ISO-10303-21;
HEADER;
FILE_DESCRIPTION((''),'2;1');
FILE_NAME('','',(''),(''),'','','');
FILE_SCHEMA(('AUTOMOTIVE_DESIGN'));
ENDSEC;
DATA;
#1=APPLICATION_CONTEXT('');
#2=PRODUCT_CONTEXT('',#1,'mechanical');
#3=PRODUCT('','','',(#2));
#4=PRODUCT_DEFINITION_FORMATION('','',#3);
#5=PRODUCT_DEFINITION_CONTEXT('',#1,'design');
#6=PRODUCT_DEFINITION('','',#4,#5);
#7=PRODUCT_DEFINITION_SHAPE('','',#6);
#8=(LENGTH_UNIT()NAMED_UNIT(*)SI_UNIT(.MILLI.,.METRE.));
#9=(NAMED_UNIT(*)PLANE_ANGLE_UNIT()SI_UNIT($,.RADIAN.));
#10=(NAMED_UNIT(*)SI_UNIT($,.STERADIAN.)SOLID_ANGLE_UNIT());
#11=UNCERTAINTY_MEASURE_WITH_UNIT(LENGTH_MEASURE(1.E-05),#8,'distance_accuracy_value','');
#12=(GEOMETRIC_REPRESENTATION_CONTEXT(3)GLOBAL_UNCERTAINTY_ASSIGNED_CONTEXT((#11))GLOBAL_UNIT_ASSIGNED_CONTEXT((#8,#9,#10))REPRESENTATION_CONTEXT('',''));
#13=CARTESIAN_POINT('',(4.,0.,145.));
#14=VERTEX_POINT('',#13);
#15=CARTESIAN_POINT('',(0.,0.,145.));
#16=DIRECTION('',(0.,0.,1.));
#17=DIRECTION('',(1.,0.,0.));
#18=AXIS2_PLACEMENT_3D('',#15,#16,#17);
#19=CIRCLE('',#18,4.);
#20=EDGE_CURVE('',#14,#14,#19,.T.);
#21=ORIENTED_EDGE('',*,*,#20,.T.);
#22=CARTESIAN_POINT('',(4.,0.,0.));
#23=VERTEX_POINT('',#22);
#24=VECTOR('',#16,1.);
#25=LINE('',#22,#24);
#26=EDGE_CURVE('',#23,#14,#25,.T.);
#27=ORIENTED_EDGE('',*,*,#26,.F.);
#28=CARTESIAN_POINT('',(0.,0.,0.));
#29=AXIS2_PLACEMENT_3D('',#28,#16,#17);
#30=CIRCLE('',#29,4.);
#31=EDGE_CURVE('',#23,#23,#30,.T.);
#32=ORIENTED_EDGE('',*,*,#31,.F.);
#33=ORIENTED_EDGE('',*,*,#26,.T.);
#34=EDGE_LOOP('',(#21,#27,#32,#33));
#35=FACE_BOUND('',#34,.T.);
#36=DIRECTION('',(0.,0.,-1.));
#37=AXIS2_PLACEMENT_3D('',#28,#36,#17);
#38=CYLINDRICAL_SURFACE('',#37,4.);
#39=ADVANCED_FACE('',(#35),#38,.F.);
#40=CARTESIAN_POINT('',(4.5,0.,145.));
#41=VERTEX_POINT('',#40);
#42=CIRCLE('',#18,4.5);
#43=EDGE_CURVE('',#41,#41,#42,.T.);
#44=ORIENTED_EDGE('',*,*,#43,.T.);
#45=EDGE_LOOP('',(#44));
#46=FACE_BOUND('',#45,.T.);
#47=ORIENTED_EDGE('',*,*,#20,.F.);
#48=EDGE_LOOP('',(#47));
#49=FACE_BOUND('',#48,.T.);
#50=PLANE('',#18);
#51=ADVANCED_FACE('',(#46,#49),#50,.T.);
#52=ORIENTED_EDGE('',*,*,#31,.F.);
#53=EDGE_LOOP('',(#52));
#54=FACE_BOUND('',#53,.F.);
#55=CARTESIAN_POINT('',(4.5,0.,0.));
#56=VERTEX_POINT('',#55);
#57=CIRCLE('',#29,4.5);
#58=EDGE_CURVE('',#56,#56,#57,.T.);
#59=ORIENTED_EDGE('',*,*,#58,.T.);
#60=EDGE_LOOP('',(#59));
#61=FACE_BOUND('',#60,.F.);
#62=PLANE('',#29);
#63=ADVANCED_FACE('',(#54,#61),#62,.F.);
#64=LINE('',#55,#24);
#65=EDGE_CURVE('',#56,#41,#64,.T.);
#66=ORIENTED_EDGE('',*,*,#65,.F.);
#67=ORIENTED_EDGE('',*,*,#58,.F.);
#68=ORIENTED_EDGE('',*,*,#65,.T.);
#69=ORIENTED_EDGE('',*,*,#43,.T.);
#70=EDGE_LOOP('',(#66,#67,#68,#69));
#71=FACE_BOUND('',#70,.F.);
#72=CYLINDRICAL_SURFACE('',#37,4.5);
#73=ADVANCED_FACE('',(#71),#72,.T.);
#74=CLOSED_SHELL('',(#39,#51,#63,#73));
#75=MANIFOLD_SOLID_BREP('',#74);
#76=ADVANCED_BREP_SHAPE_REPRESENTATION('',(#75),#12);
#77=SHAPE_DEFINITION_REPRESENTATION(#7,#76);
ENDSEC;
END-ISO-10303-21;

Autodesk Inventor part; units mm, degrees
ref_plane "YZ Plane" through (0, 0, 0) normal (1, 0, 0) x (0, 1, 0)
ref_plane "XZ Plane" through (0, 0, 0) normal (0, 1, 0) x (-1, 0, 0)
ref_plane "XY Plane" through (0, 0, 0) normal (0, 0, 1) x (1, 0, 0)
sketch "Sketch1" plane through (0, 0, 0) normal (0, 0, 1) x (1, 0, 0)
  circle A0 centre (0, 0) radius 4.5
  circle A1 centre (0, 0) radius 4
  dimension "d0" = 9
  dimension "d1" = 8
extrude "Extrusion1" add sketch "Sketch1" along normal blind 145
properties part number "Steel Tubing" material "Stainless Steel"
